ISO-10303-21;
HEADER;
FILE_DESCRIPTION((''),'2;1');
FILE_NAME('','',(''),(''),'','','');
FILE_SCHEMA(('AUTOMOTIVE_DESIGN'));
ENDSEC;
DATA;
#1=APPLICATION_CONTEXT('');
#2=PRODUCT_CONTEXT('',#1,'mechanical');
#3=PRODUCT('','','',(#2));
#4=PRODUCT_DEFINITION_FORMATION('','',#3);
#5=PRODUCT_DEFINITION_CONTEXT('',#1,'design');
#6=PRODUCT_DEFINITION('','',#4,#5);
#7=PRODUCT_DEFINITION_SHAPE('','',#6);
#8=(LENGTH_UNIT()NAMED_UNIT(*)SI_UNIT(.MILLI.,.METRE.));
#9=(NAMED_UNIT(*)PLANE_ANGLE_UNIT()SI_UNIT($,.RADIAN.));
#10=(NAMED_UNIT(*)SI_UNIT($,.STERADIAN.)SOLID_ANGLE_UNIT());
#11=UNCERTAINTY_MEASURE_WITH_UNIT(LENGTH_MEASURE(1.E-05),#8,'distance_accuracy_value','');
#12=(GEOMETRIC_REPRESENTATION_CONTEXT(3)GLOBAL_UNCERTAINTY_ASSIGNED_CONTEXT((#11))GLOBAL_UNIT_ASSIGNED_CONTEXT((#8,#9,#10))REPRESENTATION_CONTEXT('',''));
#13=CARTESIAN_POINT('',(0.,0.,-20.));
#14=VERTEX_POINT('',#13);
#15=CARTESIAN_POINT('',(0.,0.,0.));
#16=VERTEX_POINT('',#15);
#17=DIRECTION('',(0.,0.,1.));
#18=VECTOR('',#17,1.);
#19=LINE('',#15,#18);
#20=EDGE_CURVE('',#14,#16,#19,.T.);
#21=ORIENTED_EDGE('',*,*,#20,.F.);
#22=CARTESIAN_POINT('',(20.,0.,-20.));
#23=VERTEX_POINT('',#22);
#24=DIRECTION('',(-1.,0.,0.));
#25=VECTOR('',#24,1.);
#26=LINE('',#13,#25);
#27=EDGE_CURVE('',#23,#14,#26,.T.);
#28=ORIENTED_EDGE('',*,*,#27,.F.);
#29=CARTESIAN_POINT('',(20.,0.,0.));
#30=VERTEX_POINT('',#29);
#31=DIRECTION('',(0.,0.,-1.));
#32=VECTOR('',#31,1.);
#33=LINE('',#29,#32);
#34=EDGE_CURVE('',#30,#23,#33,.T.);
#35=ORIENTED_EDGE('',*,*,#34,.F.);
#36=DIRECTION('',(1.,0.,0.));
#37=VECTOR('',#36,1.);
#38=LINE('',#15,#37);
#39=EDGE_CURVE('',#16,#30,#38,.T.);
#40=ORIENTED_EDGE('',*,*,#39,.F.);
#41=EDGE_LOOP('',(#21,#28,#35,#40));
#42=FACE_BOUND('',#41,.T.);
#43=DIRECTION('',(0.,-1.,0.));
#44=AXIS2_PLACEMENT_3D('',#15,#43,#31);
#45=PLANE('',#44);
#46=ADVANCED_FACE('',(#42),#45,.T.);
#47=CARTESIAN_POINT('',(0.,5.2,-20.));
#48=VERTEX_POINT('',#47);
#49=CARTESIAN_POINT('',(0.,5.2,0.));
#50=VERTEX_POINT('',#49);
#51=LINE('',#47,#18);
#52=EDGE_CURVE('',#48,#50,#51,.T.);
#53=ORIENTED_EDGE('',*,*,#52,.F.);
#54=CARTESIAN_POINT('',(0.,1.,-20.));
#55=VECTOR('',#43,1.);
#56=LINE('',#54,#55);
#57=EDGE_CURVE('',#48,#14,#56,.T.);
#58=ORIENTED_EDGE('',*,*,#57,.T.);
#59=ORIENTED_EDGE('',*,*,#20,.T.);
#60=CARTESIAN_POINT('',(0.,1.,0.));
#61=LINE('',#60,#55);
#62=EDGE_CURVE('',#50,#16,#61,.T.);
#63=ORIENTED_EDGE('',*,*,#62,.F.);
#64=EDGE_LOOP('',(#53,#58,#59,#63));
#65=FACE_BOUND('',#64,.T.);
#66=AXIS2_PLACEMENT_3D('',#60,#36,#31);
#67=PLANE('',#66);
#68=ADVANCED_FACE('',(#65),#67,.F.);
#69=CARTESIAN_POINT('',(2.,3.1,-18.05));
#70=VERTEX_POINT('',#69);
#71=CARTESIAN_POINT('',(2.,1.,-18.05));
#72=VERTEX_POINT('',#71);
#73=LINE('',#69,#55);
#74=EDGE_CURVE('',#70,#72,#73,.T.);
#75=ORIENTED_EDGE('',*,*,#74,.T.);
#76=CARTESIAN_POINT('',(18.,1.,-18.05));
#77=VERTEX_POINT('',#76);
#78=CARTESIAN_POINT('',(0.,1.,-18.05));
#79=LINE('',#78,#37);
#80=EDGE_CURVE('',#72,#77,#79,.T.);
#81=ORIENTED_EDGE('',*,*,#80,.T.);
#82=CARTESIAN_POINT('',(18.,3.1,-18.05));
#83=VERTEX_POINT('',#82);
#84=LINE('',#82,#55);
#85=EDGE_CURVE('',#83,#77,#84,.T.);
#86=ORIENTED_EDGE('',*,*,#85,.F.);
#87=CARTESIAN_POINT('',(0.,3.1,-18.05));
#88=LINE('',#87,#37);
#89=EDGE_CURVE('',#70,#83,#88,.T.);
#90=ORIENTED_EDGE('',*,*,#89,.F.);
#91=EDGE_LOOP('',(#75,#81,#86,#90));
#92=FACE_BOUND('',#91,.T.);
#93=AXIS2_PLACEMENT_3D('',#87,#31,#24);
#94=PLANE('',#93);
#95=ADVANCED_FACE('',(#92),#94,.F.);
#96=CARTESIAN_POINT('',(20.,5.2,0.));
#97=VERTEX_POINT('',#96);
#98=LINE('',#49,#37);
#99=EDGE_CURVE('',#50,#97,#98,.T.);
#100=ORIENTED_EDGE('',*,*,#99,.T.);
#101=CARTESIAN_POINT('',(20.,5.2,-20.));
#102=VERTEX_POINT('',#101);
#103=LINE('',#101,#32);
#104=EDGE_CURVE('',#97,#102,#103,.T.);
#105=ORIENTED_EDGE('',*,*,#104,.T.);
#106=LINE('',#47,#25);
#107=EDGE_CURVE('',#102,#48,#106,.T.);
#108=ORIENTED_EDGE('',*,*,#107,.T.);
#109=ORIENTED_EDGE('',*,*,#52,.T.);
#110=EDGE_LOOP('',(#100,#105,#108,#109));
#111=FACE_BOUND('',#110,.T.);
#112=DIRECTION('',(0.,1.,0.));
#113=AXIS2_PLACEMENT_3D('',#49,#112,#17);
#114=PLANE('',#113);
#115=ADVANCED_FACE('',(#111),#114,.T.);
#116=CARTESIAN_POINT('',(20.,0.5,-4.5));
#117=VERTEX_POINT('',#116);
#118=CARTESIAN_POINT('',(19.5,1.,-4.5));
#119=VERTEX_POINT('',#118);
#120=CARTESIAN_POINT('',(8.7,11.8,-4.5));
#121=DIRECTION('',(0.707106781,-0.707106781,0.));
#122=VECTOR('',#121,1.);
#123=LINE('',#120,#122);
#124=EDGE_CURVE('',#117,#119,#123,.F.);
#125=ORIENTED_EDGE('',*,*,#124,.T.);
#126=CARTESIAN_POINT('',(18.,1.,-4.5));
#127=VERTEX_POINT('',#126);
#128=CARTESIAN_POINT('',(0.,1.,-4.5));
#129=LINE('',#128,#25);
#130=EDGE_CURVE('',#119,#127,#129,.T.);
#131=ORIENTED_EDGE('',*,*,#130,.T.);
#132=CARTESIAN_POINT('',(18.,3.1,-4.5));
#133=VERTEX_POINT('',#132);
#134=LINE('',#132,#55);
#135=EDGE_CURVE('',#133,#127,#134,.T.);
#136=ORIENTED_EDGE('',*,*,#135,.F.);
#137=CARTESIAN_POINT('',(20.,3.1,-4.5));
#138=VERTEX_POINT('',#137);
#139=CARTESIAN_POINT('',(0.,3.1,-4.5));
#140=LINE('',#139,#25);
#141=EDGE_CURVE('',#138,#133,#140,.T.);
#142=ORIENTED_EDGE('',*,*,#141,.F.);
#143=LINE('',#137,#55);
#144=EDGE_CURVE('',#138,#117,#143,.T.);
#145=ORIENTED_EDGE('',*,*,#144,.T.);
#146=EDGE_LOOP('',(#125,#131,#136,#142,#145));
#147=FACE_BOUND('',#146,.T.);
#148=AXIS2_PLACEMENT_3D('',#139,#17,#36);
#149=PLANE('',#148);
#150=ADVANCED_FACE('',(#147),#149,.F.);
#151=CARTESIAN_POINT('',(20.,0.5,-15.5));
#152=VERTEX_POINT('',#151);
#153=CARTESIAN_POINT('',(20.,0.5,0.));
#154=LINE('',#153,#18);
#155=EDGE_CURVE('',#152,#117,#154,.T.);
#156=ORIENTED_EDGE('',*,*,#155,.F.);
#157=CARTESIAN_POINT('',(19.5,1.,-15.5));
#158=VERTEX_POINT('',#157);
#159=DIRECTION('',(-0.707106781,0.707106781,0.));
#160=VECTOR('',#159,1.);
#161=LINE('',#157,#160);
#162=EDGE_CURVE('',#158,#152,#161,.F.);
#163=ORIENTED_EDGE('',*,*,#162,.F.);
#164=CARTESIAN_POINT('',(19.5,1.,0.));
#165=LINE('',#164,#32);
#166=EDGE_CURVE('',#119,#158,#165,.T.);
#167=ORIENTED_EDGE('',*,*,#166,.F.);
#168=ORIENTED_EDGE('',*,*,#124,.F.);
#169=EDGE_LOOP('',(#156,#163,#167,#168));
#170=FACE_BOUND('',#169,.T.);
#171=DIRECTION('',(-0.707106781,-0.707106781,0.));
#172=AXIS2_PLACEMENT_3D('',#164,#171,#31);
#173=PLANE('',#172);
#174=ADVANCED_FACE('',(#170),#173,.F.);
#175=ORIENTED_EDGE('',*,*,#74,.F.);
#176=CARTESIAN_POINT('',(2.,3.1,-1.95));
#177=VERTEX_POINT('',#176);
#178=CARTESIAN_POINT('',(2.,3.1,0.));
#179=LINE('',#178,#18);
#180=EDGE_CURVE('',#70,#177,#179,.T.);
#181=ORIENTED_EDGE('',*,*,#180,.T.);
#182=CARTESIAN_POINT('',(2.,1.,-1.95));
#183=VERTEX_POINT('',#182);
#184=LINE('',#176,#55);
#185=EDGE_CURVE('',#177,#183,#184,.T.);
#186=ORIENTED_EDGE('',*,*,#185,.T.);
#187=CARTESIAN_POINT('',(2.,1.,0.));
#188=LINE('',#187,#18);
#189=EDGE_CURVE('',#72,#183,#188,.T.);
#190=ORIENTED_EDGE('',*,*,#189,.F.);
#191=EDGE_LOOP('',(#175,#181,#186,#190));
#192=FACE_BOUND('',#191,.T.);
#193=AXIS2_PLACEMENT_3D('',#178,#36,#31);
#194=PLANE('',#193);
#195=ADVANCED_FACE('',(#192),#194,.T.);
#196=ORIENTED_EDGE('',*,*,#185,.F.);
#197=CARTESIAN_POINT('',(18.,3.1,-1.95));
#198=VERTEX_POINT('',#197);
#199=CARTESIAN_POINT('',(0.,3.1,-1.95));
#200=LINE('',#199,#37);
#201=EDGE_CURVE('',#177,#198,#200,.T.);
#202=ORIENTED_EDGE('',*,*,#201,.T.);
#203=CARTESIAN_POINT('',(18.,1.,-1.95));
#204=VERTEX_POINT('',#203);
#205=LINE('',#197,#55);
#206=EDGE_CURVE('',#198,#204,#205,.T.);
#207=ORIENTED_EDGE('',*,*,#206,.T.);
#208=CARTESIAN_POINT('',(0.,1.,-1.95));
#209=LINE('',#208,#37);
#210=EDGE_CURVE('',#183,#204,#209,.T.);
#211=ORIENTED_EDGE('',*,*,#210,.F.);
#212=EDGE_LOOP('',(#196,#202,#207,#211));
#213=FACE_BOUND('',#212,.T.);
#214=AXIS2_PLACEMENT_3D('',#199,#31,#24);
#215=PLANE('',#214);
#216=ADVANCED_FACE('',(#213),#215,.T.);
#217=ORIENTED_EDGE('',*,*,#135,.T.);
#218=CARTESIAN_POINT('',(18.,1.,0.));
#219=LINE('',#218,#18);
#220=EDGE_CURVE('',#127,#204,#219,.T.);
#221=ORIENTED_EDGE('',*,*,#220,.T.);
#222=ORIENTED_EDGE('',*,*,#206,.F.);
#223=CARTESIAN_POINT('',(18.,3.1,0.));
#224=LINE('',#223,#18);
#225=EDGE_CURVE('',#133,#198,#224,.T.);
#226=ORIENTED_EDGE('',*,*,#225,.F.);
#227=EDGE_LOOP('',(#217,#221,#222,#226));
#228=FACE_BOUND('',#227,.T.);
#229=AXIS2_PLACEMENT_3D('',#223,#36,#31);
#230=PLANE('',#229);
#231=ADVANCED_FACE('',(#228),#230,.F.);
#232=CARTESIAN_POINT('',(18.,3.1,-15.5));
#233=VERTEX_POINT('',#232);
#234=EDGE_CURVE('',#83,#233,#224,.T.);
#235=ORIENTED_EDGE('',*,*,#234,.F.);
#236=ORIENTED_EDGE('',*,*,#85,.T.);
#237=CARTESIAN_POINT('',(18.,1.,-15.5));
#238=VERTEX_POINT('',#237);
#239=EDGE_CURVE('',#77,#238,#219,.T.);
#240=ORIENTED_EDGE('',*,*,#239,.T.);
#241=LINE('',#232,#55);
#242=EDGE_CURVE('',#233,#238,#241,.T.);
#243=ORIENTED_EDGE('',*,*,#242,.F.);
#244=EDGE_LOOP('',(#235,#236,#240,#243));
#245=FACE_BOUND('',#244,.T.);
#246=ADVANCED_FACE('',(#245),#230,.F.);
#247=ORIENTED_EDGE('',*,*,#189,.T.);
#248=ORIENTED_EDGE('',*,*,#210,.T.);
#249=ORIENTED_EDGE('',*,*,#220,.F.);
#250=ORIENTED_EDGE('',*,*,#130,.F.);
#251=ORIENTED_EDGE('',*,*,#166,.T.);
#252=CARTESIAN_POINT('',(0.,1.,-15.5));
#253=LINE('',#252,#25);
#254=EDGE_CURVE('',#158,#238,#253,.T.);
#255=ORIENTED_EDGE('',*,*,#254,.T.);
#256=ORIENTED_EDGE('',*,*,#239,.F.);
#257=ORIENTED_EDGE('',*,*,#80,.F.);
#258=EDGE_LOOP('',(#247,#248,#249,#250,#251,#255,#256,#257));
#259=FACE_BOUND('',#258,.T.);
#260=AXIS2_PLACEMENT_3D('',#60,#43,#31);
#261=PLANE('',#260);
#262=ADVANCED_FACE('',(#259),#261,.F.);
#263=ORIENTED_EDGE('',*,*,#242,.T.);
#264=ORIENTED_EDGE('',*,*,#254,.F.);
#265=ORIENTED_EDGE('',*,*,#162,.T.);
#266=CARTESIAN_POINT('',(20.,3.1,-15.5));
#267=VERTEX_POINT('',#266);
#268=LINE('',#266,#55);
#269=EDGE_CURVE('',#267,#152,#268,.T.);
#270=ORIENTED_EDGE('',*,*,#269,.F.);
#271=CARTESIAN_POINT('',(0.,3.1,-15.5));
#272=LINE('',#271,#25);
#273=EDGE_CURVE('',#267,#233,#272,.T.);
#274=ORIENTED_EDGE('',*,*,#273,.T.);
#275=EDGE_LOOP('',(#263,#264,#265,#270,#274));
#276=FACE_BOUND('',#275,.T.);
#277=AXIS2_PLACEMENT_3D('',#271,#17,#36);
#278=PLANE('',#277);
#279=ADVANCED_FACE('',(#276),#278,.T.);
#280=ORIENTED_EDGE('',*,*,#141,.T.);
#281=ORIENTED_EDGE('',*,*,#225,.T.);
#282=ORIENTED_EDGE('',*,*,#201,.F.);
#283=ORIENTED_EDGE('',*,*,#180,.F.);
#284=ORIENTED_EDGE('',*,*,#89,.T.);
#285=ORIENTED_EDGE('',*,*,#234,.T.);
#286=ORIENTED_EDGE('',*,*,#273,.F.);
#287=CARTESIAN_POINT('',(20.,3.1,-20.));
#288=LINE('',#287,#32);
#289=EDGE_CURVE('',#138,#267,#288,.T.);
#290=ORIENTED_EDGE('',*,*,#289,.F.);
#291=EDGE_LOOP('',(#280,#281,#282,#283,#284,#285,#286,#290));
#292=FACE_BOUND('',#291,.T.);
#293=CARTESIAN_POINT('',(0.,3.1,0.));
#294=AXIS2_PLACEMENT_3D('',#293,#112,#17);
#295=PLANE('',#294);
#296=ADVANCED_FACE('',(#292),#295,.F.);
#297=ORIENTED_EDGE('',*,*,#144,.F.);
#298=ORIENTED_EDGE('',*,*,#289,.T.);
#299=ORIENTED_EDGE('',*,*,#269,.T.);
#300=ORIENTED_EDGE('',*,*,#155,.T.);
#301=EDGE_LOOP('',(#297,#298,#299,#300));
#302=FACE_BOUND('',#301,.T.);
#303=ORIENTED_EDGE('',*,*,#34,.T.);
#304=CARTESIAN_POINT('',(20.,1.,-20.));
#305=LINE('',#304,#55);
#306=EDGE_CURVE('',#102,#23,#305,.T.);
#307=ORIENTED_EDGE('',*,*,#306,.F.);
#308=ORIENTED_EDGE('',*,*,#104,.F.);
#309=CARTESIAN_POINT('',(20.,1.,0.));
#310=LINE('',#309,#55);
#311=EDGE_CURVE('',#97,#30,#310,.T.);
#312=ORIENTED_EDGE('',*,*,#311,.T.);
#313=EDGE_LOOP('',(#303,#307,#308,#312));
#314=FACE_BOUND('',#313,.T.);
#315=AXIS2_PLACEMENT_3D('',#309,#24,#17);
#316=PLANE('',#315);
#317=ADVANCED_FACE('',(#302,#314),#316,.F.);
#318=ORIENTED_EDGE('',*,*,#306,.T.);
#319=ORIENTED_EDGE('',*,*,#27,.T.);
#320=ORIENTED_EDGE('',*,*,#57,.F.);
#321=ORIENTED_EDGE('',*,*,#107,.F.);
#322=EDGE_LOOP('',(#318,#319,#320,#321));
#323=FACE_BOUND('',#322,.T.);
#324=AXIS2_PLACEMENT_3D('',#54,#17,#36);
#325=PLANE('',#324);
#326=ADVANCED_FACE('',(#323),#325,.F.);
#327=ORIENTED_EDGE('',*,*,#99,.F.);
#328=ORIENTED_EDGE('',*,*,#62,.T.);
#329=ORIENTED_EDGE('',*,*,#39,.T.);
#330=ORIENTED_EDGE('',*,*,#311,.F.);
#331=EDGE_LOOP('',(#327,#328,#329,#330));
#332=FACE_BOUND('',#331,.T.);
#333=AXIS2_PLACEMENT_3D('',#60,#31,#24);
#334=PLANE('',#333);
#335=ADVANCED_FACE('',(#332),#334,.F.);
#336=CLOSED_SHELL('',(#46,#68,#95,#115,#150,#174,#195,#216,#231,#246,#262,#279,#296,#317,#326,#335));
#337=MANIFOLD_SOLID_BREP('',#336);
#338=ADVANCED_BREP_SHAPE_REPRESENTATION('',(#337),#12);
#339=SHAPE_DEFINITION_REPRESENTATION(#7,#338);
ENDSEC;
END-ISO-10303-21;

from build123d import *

# Parameters (mm, degrees)
SKETCH1_W           = 20
SKETCH1_H           = 20
BOSS_EXTRUDE1_DEPTH = 1
BOSS_EXTRUDE2_DEPTH = 2.1
CHAMFER1_SIZE       = 0.5
SKETCH3_W           = 20
SKETCH3_H           = 20
BOSS_EXTRUDE3_DEPTH = 2.1


with BuildPart() as part:
    # Sketch1 → Boss-Extrude1 (new body)
    with BuildSketch(Plane(origin=(0, 0, 0), x_dir=(1, 0, 0), z_dir=(0, 1, 0))):
        with Locations((10, 10)):
            Rectangle(SKETCH1_W, SKETCH1_H)
    extrude(amount=BOSS_EXTRUDE1_DEPTH)

    # Sketch2 → Boss-Extrude2 (add)
    with BuildSketch(Plane(origin=(0, 1, 0), x_dir=(1, 0, 0), z_dir=(0, 1, 0))):
        Polygon((18, 15.5), (20, 15.5), (20, 20), (0, 20), (0, 0), (20, 0), (20, 4.5), (18, 4.5), (18, 1.95), (2, 1.95), (2, 18.05), (18, 18.05), align=None)
    extrude(amount=BOSS_EXTRUDE2_DEPTH)

    # Chamfer1
    chamfer1_edges = [part.edges().sort_by_distance(p)[0] for p in [
        (20, 1, -10),
    ]]
    chamfer(chamfer1_edges, length=CHAMFER1_SIZE)

    # Sketch3 → Boss-Extrude3 (add)
    with BuildSketch(Plane(origin=(0, 3.1, 0), x_dir=(1, 0, 0), z_dir=(0, 1, 0))):
        with Locations((10, 10)):
            Rectangle(SKETCH3_W, SKETCH3_H)
    extrude(amount=BOSS_EXTRUDE3_DEPTH)


solid = part.part
